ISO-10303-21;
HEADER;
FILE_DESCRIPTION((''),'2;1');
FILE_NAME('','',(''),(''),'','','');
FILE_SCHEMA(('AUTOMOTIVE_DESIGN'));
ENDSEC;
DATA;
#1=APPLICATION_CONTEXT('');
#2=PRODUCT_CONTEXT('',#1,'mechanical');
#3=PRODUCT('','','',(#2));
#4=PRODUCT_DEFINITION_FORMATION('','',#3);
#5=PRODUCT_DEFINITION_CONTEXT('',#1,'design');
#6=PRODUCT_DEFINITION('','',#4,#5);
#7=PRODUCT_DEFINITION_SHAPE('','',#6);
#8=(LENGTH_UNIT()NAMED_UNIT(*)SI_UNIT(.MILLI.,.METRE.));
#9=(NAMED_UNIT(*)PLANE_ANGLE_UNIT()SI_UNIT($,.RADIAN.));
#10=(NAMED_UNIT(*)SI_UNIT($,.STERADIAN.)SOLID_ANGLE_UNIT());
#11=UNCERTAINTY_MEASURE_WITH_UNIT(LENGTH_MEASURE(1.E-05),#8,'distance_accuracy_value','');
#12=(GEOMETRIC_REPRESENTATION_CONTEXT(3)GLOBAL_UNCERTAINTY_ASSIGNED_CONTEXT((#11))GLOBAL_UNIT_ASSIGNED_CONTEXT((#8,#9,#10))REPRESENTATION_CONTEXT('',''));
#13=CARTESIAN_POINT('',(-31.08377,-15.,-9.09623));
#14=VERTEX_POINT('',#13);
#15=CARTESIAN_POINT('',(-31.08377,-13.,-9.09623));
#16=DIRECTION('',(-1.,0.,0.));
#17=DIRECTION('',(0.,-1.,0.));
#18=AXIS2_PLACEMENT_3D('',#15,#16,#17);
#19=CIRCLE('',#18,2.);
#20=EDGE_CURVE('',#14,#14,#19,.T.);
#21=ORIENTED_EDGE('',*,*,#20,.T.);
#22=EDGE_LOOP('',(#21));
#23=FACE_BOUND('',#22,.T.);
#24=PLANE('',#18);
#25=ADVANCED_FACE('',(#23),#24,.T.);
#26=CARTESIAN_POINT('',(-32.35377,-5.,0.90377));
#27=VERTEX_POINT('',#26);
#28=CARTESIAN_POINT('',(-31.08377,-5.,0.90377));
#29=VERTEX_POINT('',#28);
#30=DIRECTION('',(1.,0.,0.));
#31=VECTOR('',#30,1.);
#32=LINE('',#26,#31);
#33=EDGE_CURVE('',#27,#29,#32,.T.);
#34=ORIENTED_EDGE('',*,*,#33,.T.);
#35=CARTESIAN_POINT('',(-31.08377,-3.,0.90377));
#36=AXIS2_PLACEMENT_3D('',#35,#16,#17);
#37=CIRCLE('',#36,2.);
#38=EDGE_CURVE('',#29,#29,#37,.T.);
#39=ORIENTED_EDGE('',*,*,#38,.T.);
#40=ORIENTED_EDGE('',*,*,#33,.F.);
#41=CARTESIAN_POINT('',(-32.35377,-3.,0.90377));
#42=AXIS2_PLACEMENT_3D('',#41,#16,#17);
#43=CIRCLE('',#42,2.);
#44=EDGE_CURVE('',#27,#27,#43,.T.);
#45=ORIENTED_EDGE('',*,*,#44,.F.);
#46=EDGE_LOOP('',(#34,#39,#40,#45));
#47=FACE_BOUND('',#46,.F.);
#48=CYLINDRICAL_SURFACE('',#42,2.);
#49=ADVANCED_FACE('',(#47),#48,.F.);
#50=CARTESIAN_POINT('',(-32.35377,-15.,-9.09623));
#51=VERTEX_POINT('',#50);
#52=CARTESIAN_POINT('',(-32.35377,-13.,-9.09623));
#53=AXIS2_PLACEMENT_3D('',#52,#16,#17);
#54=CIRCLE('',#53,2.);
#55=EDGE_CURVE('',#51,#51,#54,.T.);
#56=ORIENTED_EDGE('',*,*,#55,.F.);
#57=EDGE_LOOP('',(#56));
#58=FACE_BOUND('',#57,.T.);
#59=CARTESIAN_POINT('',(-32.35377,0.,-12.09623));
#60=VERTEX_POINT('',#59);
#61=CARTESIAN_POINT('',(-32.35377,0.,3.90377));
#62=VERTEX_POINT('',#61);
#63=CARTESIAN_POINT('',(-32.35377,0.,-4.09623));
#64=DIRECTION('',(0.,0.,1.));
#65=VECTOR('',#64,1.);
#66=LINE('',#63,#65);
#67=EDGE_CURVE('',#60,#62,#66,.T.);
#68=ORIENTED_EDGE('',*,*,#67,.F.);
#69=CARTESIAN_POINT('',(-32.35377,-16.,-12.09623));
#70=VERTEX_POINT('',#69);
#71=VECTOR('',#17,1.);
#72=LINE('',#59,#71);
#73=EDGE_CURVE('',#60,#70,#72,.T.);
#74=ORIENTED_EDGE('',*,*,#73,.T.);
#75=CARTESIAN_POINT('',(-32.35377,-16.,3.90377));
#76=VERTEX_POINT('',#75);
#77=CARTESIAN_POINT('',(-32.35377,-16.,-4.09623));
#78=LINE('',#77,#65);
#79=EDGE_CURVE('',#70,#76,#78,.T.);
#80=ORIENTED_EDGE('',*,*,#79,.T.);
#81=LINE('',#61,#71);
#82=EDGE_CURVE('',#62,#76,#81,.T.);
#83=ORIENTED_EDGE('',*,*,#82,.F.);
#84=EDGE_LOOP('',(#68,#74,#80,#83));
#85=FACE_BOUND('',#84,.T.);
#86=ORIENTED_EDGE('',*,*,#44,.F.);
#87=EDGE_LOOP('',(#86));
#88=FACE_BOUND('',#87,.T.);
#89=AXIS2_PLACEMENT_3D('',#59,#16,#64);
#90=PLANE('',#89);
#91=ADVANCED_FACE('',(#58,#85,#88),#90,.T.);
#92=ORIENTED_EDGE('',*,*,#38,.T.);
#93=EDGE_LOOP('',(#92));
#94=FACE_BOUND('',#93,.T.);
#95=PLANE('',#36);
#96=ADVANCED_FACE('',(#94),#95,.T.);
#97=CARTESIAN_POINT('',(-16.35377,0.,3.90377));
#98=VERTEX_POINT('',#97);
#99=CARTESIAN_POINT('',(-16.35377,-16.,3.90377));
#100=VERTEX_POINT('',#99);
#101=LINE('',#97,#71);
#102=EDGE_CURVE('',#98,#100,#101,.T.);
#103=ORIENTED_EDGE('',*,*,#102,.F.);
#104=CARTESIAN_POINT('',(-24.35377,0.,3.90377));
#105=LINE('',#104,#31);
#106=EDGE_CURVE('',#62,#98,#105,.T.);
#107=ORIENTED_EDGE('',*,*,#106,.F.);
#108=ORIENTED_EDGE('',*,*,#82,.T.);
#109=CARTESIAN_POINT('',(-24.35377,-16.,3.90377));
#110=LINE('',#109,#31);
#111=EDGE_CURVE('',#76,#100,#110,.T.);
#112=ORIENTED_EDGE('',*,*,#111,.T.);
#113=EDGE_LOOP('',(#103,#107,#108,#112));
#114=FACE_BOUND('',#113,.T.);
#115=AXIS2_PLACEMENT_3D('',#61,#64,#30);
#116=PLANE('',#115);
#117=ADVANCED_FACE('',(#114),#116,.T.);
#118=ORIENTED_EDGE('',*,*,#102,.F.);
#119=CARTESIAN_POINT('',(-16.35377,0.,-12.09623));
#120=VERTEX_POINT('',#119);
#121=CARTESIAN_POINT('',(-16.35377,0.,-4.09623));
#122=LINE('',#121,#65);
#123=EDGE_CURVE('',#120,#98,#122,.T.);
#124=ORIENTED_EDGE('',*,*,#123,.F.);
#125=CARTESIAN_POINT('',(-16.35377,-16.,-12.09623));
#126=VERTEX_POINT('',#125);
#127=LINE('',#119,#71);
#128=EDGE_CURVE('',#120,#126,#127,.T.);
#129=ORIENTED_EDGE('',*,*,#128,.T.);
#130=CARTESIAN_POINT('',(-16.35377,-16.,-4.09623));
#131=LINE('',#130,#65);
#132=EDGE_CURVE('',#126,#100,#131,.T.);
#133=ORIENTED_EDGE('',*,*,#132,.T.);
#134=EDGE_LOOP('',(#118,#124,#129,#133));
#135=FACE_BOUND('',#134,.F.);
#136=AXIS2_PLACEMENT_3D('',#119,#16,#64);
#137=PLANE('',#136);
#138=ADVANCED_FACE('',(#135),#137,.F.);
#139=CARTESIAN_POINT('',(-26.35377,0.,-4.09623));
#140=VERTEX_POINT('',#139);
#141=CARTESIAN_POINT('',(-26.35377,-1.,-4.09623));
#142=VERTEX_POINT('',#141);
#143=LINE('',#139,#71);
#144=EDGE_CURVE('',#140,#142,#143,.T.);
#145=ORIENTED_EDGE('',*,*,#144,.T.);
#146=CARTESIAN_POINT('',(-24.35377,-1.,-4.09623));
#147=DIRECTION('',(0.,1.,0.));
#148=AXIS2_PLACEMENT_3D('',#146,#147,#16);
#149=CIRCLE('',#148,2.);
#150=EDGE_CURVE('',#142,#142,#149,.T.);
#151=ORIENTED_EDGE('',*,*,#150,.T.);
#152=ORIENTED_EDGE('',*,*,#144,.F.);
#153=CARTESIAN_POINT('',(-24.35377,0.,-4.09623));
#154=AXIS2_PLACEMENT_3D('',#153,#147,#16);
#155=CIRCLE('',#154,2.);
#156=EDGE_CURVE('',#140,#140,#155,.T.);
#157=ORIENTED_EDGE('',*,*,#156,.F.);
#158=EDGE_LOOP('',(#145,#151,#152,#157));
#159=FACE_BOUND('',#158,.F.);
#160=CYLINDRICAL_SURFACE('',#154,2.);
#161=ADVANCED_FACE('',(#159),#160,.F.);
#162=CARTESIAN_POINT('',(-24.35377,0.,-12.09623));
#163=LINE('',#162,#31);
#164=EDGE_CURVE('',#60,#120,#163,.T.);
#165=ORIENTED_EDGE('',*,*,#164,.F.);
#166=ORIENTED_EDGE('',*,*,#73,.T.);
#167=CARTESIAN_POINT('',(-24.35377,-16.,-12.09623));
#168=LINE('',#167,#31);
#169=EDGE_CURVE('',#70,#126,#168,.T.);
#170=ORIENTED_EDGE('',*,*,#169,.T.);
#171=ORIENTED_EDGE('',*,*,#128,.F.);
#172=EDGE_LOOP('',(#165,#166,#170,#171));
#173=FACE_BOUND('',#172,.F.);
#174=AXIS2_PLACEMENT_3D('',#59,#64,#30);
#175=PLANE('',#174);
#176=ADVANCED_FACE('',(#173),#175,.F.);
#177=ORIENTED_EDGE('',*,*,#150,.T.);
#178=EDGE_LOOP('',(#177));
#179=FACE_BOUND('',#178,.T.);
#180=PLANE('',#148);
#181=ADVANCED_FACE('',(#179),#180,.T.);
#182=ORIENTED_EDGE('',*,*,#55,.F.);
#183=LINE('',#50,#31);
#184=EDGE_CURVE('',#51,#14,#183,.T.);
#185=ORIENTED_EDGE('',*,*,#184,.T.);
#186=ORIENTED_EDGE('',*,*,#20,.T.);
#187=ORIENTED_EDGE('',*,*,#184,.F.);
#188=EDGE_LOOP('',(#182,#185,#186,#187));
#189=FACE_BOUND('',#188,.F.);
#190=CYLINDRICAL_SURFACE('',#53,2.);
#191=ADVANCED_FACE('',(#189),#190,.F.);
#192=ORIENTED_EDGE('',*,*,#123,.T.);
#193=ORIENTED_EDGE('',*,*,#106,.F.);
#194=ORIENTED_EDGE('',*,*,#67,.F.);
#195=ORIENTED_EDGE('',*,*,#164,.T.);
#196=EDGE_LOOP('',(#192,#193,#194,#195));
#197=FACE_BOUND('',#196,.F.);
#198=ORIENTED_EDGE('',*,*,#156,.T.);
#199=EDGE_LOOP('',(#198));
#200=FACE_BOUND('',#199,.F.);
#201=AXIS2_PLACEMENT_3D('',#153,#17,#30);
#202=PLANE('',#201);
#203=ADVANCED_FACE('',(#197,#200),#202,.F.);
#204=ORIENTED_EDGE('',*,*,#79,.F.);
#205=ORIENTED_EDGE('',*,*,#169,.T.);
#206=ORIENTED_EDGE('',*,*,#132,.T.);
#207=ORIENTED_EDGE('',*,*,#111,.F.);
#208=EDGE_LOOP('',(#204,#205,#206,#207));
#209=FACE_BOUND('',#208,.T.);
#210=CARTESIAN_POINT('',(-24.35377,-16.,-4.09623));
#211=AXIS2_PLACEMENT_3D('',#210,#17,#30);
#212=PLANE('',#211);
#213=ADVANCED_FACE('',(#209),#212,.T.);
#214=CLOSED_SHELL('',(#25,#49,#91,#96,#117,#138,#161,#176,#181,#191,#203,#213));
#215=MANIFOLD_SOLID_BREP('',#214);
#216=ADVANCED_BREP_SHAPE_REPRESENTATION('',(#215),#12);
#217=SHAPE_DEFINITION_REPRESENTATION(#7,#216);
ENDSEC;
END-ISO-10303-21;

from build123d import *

# Parameters (mm, degrees)
F0_W     = 16
F0_H     = 16
F1_DEPTH = 16
F2_R     = 2
F3_DEPTH = 1
F4_R     = 2
F6_DEPTH = 1.27


with BuildPart() as f1:
    # F0 (on Front) → F1 (new body)
    with BuildSketch(Plane.XZ):
        with Locations((-24.35377, -4.09623)):
            Rectangle(F0_W, F0_H)
    extrude(amount=F1_DEPTH)

    # F2 (on face) → F3 (cut)
    with BuildSketch(Plane(origin=(0, 0, 0), x_dir=(-1, 0, 0), z_dir=(0, 1, 0))):
        with Locations((24.35377, -4.09623)):
            Circle(F2_R)
    extrude(amount=-F3_DEPTH, mode=Mode.SUBTRACT)

    # F4 (on face) → F6 (cut)
    with BuildSketch(Plane(origin=(-32.35377, 0, 0), x_dir=(0, -1, 0), z_dir=(-1, 0, 0))):
        with Locations((13, -9.09623)):
            Circle(F4_R)
        with Locations((3, 0.90377)):
            Circle(F4_R)
    extrude(amount=-F6_DEPTH, mode=Mode.SUBTRACT)


solid = f1.part
